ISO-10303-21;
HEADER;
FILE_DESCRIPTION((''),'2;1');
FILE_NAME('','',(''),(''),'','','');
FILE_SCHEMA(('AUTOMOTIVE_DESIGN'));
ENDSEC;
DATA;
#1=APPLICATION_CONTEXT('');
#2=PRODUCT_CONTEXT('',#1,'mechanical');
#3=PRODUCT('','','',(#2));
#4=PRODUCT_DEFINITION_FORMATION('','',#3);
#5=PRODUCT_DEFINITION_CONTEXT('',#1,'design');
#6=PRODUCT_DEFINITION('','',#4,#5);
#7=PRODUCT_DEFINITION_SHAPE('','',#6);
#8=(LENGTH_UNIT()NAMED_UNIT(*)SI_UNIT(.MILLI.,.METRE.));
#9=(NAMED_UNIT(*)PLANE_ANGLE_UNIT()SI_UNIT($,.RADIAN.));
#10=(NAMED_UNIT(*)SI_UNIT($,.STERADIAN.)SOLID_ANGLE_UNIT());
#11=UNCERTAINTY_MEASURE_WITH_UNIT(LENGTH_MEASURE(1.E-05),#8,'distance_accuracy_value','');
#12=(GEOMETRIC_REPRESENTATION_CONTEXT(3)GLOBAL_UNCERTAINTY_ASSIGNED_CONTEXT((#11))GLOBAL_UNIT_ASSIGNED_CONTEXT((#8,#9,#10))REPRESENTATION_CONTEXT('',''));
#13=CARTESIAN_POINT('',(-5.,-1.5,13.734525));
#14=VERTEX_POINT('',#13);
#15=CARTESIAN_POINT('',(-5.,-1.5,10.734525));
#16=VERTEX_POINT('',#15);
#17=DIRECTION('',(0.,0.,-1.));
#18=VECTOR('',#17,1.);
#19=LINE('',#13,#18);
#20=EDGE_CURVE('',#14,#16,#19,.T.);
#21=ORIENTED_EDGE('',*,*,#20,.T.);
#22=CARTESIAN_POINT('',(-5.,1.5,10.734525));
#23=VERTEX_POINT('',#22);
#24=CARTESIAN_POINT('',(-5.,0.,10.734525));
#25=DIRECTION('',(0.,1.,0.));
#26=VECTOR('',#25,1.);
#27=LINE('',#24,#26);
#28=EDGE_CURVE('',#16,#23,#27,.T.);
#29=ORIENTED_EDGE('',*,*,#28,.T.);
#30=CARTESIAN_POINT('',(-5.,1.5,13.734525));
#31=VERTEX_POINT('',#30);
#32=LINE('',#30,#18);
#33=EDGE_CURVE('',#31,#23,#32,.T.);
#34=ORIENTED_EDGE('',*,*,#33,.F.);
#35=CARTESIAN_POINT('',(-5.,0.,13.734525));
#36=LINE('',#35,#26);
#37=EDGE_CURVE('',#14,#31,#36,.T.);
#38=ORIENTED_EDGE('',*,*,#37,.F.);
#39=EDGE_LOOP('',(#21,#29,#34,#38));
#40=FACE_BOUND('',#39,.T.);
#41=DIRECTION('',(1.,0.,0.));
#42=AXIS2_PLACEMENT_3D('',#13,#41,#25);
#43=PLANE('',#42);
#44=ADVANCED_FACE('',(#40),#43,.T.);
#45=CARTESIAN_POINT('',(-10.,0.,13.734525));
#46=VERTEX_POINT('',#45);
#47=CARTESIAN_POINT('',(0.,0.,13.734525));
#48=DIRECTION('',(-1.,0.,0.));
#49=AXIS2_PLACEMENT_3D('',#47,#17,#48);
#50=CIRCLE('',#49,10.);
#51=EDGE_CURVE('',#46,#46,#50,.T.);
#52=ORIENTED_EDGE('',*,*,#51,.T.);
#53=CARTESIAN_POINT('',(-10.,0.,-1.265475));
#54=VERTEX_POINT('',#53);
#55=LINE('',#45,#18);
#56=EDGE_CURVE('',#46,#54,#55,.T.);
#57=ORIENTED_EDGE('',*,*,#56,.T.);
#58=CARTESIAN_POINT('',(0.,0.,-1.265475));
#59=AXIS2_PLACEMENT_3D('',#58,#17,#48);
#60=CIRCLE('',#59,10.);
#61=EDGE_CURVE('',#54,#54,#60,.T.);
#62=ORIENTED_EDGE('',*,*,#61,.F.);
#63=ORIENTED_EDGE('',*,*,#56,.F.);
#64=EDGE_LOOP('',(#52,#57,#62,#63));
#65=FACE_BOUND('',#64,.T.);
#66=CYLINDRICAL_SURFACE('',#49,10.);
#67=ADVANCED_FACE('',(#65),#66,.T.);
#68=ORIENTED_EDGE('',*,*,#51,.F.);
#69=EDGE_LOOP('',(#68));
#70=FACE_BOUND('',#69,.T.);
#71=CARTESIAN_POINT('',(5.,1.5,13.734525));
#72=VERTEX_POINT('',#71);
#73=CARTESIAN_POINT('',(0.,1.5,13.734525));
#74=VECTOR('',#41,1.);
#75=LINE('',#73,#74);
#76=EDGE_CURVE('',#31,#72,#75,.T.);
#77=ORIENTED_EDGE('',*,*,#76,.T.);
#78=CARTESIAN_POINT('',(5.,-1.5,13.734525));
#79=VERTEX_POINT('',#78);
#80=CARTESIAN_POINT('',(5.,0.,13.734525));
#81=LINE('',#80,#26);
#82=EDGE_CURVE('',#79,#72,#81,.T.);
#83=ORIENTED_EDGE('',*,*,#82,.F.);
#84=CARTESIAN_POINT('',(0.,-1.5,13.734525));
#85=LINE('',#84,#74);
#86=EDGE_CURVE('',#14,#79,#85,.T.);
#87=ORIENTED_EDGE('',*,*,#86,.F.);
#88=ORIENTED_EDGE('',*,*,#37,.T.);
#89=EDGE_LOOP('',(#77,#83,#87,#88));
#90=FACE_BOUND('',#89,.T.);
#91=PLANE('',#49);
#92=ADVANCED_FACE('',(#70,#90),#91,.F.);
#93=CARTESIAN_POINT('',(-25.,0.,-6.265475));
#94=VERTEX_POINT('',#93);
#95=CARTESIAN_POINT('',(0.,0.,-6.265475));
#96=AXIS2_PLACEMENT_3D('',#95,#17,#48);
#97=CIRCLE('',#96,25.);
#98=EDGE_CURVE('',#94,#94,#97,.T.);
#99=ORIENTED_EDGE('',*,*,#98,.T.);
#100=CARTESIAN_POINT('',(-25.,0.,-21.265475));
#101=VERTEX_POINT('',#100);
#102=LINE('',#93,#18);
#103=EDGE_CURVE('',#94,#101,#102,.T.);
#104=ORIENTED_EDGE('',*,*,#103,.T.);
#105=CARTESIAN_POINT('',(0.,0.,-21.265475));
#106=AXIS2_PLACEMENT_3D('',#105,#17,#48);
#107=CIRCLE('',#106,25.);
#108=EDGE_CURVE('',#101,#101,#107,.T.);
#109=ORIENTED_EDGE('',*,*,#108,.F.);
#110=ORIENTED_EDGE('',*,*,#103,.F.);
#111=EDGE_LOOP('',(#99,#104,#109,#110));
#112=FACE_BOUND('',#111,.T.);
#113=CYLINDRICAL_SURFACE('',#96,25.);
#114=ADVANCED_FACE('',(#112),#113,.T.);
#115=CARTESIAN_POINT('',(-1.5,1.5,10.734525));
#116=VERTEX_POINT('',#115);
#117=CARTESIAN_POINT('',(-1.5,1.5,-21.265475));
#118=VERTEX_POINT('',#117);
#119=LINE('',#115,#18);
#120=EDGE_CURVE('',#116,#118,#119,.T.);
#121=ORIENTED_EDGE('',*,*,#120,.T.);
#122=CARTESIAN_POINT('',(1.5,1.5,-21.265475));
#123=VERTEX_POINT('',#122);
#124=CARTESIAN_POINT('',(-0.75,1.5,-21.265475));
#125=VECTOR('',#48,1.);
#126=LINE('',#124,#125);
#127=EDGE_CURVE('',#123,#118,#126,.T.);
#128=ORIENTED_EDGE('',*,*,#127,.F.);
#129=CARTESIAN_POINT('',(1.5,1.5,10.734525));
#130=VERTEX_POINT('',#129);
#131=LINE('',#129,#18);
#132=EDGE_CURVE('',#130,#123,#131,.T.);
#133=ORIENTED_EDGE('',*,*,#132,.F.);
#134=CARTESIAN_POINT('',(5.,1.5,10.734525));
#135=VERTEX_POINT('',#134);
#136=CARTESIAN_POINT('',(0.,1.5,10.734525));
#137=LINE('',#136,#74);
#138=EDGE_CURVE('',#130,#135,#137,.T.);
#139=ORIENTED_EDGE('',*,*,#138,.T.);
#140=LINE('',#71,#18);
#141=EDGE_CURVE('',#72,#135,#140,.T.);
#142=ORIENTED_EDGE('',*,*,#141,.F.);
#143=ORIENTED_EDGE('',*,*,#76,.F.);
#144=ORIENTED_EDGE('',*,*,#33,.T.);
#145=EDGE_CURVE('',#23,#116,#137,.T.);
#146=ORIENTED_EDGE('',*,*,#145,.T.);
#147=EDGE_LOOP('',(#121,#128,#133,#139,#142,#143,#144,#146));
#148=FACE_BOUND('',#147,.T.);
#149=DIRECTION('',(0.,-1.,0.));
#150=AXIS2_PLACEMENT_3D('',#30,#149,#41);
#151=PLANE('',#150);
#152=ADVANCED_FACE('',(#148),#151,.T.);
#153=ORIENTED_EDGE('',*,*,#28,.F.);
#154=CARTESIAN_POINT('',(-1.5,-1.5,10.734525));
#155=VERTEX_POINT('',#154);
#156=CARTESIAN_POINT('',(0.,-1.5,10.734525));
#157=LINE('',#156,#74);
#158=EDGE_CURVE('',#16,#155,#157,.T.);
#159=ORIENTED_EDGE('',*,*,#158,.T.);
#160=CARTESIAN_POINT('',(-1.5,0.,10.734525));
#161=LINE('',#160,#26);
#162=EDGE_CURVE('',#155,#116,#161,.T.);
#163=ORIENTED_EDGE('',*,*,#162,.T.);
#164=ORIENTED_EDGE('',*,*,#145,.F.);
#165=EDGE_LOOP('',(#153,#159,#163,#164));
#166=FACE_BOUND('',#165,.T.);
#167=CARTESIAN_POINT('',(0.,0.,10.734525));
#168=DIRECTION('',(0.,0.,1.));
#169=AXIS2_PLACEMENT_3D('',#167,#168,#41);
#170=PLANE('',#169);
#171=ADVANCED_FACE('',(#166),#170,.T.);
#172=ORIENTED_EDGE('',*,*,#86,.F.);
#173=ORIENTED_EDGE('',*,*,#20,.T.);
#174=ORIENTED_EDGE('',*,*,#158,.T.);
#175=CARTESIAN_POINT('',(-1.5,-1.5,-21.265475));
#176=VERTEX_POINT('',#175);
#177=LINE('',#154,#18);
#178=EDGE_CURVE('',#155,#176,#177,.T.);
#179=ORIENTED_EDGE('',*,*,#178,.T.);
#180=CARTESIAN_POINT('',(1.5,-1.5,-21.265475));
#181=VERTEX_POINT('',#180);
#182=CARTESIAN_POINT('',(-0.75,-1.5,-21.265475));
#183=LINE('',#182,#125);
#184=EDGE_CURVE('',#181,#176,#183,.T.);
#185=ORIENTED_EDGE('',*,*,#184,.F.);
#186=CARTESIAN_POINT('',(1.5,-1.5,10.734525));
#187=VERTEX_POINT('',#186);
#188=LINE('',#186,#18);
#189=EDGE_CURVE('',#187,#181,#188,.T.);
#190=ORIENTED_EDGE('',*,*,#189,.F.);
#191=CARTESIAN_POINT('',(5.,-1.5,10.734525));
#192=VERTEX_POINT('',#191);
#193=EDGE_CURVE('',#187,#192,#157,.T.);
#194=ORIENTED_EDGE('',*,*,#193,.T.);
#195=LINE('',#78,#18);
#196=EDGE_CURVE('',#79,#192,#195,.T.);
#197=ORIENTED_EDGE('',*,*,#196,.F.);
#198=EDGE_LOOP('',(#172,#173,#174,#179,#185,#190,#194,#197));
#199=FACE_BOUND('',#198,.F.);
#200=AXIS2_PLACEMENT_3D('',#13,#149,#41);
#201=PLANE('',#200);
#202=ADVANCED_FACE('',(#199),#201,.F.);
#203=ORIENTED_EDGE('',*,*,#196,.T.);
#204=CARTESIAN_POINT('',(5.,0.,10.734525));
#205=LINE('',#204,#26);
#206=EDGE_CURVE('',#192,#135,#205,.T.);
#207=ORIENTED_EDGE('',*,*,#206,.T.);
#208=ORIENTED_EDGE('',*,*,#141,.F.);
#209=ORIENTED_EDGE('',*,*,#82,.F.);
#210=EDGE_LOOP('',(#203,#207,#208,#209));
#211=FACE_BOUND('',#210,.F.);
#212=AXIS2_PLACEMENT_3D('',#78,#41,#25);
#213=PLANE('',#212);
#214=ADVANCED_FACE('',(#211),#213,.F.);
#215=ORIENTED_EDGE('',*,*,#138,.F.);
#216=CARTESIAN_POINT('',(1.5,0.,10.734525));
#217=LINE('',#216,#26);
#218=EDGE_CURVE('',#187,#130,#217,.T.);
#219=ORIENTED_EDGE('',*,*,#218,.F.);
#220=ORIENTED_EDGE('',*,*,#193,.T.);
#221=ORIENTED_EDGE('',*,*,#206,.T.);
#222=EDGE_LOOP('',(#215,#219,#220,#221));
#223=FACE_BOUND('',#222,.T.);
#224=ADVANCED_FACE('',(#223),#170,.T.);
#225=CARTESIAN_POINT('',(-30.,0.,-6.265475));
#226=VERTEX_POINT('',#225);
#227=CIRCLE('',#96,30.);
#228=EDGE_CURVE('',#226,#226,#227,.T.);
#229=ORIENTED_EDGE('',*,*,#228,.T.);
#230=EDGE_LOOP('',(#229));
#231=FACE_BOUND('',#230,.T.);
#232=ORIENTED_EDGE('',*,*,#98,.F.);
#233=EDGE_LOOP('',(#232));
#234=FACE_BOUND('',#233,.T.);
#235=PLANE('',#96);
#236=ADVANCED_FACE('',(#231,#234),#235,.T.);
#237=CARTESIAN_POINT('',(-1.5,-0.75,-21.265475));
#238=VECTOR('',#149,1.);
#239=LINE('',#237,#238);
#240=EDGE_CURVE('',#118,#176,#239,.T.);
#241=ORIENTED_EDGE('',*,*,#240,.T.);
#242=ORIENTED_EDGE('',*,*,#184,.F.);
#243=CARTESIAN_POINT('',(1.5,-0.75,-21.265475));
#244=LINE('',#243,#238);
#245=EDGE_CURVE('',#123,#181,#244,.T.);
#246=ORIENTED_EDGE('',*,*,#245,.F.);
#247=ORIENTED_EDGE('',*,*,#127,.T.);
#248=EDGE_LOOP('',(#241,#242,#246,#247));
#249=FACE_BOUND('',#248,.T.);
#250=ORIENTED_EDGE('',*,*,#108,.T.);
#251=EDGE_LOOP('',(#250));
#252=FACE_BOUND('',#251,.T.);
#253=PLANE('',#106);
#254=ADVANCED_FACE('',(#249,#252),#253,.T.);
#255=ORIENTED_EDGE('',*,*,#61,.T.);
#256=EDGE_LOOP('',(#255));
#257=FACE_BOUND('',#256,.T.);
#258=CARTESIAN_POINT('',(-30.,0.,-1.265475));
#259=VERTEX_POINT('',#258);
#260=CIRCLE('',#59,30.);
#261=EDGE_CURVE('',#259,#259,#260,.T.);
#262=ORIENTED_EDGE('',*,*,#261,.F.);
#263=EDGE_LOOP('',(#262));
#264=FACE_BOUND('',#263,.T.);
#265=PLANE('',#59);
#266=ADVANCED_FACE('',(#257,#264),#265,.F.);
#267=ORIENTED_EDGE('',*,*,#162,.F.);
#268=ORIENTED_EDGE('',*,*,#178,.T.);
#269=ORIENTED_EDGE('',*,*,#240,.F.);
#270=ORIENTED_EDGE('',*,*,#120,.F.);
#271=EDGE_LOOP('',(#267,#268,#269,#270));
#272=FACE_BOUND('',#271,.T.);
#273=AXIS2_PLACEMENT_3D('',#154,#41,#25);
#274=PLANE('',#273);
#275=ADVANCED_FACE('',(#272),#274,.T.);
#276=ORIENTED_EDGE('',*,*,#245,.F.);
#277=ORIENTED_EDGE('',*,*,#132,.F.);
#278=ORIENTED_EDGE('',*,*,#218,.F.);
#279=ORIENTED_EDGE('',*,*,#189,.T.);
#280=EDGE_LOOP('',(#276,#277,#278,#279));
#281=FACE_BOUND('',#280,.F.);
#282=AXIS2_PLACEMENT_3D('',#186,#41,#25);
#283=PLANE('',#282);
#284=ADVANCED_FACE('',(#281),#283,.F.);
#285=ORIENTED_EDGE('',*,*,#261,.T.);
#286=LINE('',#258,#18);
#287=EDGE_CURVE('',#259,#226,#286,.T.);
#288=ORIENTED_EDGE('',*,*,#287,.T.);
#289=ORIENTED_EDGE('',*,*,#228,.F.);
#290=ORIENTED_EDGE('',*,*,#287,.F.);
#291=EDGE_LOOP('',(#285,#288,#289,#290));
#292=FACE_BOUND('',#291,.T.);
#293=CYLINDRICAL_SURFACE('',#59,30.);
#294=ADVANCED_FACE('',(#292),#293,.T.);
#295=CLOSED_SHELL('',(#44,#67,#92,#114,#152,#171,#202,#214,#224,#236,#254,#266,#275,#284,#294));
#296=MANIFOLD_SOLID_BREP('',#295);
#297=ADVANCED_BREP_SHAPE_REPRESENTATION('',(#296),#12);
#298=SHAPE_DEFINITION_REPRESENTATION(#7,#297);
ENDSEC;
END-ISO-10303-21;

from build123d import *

# Parameters (mm, degrees)
F2_W     = 10
F2_H     = 3
F3_DEPTH = 3
F4_W     = 3
F4_H     = 3
F5_DEPTH = 40


with BuildPart() as f1:
    # F0 (on Front) → F1 (revolve)
    with BuildSketch(Plane.XZ):
        Polygon((0, 13.734525), (-1.5, 13.734525), (-10, 13.734525), (-10, -1.265475), (-25, -1.265475), (-30, -1.265475), (-30, -6.265475), (-25, -6.265475), (-25, -21.265475), (0, -21.265475), (0, 9.622872), align=None)
    revolve(axis=Axis((0, 0, 2.372262), (0, 0, -1)))

    # F2 (on face) → F3 (cut)
    with BuildSketch(Plane.XY.offset(13.734525)):
        Rectangle(F2_W, F2_H)
    extrude(amount=-F3_DEPTH, mode=Mode.SUBTRACT)

    # F4 (on face) → F5 (cut)
    with BuildSketch(Plane.XY.offset(10.734525)):
        Rectangle(F4_W, F4_H)
    extrude(amount=-F5_DEPTH, mode=Mode.SUBTRACT)


solid = f1.part
